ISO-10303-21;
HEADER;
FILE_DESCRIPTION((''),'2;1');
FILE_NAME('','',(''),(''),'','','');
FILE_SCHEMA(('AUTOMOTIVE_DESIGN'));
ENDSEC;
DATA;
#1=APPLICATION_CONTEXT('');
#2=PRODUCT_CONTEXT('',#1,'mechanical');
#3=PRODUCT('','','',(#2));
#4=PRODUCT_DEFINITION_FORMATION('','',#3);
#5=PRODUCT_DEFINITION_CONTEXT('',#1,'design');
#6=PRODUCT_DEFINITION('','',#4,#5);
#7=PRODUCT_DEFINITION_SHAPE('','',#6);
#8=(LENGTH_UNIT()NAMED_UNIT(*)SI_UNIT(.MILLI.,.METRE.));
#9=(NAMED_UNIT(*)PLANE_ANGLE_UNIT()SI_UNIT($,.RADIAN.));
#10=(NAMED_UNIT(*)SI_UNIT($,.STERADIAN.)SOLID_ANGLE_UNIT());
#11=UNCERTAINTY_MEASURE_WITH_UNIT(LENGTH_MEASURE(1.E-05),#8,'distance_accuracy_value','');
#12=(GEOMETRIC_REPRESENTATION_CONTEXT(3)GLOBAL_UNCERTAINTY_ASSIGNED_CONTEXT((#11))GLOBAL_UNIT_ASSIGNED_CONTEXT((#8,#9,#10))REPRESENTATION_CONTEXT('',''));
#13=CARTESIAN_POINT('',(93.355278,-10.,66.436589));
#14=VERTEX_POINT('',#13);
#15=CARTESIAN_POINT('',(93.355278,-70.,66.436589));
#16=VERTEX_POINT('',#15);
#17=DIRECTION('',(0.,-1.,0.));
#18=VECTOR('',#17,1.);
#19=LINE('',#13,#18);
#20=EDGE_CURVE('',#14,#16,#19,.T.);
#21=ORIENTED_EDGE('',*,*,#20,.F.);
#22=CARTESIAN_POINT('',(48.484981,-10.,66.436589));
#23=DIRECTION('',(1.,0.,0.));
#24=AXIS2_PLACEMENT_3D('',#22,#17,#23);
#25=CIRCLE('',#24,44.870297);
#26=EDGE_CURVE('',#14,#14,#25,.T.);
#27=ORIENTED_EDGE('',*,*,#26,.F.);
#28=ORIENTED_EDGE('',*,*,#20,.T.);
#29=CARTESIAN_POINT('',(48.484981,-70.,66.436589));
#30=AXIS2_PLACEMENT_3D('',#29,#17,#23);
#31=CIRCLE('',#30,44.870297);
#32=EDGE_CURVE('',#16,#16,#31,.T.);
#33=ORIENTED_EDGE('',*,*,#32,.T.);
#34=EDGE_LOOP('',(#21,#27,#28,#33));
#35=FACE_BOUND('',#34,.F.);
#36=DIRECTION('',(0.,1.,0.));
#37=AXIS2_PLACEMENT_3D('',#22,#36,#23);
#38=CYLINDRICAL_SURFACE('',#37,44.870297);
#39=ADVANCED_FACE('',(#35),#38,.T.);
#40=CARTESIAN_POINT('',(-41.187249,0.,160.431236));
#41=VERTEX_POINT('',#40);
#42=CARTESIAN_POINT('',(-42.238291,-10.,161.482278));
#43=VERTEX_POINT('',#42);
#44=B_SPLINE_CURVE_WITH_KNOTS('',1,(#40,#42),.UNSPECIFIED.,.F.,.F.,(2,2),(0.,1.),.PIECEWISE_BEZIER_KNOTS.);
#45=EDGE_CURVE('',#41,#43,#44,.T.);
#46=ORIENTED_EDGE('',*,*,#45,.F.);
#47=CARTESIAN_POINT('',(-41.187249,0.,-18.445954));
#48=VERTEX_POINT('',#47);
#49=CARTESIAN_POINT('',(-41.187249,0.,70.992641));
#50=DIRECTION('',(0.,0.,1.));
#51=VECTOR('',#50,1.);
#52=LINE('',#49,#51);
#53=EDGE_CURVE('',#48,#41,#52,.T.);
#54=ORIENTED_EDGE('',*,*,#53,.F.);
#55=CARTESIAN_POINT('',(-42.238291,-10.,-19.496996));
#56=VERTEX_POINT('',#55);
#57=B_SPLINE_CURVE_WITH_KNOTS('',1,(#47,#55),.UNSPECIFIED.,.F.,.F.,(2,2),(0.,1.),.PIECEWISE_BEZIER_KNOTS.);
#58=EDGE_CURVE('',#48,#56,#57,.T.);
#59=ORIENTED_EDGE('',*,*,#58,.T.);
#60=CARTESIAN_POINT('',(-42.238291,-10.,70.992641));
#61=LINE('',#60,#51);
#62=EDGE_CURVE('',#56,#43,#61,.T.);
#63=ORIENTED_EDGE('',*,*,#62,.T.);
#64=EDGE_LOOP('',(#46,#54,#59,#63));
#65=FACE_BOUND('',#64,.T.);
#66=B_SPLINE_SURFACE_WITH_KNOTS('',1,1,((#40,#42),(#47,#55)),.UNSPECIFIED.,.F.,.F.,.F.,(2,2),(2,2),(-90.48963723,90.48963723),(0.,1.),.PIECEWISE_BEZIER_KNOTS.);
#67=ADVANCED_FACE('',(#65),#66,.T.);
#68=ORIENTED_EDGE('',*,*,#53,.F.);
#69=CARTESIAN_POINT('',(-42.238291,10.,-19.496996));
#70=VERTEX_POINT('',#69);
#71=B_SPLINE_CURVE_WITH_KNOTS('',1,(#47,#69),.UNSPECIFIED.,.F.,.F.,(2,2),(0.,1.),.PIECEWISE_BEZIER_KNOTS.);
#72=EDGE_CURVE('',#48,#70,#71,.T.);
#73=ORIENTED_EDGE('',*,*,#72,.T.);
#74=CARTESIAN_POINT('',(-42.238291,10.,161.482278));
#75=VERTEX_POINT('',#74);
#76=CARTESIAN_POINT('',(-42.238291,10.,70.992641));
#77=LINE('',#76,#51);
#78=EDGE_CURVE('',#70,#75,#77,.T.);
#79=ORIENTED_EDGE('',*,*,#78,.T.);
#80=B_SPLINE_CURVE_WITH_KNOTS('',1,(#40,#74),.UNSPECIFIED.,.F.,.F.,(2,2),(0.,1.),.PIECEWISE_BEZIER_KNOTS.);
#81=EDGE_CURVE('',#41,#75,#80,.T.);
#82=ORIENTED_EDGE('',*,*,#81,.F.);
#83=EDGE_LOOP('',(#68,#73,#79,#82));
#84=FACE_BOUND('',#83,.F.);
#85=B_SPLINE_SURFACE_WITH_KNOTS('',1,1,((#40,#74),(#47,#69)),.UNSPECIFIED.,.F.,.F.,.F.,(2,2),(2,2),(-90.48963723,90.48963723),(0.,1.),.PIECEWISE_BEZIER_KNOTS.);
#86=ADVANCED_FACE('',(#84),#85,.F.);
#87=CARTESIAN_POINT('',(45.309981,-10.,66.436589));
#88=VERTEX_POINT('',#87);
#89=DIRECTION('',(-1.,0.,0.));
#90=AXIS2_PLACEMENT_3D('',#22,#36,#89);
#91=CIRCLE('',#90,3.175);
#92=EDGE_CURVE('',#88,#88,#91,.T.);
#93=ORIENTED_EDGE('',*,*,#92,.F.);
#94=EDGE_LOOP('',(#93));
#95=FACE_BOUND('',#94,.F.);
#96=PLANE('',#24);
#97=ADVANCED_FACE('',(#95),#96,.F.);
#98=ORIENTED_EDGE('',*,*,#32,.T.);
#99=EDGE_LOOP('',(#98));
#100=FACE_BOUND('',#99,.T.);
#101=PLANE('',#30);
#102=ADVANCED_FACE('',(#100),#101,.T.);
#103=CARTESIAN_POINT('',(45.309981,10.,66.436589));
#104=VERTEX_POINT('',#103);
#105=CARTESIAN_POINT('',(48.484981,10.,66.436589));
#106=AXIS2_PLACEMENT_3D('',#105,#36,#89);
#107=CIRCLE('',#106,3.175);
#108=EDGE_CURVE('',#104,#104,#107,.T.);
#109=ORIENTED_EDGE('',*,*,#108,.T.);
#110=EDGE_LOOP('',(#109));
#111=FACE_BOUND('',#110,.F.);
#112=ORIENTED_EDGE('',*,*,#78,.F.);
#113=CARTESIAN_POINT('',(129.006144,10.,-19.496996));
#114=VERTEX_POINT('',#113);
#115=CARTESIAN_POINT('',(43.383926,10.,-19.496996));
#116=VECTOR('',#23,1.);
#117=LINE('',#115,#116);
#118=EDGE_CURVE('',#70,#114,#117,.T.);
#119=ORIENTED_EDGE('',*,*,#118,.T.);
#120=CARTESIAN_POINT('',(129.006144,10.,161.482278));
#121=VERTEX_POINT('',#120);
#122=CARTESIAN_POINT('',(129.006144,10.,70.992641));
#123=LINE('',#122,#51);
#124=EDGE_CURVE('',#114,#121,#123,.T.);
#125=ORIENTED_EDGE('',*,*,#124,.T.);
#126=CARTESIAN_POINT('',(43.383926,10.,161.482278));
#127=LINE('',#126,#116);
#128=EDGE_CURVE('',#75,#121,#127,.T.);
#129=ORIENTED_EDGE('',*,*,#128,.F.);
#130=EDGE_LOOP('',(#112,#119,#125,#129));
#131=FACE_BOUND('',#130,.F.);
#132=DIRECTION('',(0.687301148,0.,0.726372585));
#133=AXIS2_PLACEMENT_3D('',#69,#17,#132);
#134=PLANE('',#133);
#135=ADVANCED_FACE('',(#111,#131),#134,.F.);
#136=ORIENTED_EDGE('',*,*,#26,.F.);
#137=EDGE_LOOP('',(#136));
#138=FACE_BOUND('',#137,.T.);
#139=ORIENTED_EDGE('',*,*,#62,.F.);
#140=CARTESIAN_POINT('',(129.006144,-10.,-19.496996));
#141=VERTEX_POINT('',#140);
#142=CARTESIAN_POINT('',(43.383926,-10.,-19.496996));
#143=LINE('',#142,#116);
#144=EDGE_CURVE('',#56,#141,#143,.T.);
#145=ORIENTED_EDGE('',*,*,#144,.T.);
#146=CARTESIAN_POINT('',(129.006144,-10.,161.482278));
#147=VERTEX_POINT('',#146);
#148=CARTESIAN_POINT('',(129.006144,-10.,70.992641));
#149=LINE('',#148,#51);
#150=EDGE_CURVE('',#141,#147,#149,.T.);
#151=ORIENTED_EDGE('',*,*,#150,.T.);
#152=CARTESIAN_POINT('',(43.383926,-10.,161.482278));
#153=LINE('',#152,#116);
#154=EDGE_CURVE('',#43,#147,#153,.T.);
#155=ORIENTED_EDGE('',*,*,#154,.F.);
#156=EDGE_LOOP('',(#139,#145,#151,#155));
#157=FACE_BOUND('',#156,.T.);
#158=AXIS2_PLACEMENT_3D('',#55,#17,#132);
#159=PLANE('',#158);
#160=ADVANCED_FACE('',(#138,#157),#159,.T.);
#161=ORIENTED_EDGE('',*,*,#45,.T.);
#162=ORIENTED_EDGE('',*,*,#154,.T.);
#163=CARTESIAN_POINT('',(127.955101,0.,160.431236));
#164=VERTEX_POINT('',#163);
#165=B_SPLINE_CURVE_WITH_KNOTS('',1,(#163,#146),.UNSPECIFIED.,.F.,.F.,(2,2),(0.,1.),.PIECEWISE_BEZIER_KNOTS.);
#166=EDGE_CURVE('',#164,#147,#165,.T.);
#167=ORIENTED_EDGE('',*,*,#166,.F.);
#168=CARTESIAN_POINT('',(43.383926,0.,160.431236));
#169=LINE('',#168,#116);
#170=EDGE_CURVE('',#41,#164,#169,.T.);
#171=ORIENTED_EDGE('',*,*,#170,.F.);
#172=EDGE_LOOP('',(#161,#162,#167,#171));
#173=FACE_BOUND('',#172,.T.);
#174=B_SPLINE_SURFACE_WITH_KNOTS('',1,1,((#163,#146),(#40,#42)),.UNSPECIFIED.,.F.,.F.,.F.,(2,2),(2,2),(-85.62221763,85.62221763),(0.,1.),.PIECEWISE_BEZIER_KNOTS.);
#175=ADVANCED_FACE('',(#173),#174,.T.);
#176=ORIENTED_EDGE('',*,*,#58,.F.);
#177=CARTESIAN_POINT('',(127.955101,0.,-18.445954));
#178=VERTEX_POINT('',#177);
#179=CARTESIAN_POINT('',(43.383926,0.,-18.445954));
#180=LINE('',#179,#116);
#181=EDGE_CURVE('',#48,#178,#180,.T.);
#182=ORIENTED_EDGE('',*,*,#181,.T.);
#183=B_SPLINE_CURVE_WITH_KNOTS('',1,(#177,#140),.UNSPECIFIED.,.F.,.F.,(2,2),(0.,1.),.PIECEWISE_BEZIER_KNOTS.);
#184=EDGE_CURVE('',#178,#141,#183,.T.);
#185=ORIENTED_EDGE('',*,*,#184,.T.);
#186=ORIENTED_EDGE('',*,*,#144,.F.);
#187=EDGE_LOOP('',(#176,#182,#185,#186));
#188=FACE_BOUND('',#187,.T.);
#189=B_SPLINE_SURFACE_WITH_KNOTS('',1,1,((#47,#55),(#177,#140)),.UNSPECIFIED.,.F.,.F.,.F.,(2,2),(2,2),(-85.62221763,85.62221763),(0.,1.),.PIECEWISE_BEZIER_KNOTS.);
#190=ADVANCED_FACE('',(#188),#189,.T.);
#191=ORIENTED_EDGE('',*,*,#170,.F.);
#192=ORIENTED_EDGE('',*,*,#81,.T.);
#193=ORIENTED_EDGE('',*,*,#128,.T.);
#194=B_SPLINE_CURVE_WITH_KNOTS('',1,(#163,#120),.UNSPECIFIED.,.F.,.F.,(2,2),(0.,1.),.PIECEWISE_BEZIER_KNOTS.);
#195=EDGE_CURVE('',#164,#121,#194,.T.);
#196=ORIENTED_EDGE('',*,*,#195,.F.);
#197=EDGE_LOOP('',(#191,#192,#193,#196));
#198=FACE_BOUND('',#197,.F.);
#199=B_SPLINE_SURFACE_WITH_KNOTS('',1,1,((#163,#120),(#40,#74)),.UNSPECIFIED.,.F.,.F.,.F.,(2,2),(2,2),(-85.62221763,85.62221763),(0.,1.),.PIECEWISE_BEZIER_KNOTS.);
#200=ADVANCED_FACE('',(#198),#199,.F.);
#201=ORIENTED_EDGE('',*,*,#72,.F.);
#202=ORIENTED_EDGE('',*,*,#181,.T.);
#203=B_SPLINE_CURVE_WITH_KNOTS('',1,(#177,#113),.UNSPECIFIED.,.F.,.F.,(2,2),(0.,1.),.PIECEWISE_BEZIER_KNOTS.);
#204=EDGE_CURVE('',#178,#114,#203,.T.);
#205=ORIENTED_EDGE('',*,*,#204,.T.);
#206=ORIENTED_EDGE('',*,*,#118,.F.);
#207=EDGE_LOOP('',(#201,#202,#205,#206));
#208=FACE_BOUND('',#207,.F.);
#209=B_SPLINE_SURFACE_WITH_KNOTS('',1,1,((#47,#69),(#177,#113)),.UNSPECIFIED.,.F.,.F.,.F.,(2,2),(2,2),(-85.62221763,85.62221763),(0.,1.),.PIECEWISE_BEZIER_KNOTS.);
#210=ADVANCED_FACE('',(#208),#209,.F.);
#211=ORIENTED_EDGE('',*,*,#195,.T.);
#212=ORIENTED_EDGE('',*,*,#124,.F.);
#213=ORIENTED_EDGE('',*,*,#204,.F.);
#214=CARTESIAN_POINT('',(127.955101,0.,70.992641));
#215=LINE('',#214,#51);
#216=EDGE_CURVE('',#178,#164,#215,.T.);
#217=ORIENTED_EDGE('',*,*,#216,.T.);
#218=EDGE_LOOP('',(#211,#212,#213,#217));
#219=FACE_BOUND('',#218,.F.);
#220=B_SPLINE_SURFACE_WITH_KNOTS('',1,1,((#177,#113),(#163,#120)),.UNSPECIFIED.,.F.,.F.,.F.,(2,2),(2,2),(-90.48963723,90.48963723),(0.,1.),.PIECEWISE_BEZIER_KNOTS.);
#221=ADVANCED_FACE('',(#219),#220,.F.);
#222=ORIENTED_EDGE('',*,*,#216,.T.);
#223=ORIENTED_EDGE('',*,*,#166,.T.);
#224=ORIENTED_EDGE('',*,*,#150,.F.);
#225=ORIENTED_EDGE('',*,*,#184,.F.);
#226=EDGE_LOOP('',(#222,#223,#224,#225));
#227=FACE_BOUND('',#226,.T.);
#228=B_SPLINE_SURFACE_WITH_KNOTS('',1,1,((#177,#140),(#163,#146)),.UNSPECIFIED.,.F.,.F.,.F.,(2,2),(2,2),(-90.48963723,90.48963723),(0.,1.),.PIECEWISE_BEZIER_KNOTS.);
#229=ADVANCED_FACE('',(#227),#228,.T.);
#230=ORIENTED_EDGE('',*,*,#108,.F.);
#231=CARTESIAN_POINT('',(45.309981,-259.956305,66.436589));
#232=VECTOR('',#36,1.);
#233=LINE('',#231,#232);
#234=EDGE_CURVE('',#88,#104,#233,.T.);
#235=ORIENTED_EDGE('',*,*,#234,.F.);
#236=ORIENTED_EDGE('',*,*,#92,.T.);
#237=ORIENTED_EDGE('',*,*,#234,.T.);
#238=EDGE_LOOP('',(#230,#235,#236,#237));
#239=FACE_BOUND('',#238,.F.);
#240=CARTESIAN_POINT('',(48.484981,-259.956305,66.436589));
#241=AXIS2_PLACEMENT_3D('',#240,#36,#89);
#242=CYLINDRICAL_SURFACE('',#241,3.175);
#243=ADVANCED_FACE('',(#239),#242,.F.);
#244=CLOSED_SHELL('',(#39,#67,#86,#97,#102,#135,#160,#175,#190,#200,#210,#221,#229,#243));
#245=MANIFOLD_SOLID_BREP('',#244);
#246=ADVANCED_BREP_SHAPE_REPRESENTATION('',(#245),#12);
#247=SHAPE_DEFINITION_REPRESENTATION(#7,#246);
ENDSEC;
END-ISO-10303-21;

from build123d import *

# Parameters (mm, degrees)
F0_W     = 169.1423505545
F0_H     = 178.8771897554
F1_DEPTH = 10
F1_TAPER = -6
F3_D     = 6.35
F4_R     = 44.8702969829
F5_DEPTH = 60


with BuildPart() as f1:
    # F0 (on Front) → F1 (new body, symmetric)
    with BuildSketch(Plane.XZ):
        with Locations((43.3839261532, 70.992641151)):
            Rectangle(F0_W, F0_H)
    extrude(amount=F1_DEPTH, both=True, taper=F1_TAPER)

    # F3 (through all)
    with Locations(Plane.XZ.offset(10)):
        with Locations((48.48498106, 66.4365887642)):
            Hole(F3_D / 2)

    # F4 (on face) → F5 (join)
    with BuildSketch(Plane.XZ.offset(10)):
        with Locations((48.48498106, 66.4365887642)):
            Circle(F4_R)
    extrude(amount=F5_DEPTH)


solid = f1.part
